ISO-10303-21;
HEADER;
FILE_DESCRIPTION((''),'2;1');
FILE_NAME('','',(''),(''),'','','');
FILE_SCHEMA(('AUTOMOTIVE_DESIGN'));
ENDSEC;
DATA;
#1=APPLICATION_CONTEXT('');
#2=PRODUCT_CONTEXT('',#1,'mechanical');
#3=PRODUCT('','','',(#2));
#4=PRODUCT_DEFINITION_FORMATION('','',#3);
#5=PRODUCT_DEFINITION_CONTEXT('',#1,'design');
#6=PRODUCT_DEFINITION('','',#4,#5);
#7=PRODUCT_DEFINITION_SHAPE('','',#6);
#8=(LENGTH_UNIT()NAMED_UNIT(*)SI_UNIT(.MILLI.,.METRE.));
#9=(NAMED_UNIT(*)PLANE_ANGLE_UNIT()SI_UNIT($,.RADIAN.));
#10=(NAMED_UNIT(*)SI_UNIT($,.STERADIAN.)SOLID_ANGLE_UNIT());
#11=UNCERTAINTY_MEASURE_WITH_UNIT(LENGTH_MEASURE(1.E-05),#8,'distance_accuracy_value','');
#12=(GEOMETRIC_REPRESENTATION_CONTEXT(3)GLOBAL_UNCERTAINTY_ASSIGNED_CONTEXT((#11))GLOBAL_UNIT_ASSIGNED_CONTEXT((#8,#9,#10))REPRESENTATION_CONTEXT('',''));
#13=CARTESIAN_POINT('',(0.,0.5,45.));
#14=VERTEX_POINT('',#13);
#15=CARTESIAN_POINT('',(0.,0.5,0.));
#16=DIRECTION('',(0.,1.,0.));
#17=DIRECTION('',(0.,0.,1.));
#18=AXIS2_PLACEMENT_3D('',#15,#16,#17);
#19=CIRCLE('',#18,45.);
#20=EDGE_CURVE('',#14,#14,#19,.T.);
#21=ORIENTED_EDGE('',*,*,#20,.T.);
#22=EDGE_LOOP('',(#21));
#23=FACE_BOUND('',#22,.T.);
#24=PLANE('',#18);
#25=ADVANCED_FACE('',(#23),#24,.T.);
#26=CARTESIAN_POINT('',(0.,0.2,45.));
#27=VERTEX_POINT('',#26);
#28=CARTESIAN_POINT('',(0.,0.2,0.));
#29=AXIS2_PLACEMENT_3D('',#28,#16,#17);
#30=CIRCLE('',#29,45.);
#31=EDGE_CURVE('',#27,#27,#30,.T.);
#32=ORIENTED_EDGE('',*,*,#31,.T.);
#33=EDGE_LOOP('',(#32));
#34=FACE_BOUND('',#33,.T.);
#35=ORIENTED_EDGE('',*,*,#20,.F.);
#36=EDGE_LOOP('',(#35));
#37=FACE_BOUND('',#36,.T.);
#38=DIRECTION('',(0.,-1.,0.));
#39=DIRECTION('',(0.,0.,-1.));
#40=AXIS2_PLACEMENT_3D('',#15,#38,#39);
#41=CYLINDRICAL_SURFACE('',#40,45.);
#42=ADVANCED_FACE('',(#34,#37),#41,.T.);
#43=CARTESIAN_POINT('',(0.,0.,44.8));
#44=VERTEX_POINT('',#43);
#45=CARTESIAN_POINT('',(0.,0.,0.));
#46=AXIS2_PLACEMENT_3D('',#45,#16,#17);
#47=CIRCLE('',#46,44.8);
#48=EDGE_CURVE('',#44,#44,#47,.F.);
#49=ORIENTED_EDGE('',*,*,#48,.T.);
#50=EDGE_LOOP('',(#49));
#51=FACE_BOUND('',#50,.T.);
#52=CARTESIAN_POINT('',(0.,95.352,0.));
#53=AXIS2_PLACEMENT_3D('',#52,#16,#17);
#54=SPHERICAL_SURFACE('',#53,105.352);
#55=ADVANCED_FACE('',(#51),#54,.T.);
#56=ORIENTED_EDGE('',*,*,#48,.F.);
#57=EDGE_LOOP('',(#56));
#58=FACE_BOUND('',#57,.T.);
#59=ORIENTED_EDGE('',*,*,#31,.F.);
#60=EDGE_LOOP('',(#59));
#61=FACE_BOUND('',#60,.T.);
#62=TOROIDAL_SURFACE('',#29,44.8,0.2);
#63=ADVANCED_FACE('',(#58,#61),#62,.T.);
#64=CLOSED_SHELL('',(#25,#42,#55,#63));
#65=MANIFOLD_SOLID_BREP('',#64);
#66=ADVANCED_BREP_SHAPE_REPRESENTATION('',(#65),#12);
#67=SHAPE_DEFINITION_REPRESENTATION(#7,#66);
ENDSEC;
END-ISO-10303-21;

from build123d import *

# Parameters (mm, degrees)
SKETCH_1_R         = 45
EXTRUDE_1_DEPTH    = 0.5
FILLET_3_R         = 0.2
DOME_2_FACE_RADIUS = 44.8
DOME_2_HEIGHT      = 10


with BuildPart() as part:
    # Эскиз1 → Бобышка-Вытянуть1 (new body)
    with BuildSketch(Plane(origin=(0, 0, 0), x_dir=(1, 0, 0), z_dir=(0, 1, 0))):
        with Locations(Location((0, 0, 0), (0, 0, 270))):
            Circle(SKETCH_1_R)
    extrude(amount=EXTRUDE_1_DEPTH)

    # Скругление3
    fillet_3_edges = [part.edges().sort_by_distance(p)[0] for p in [
        (0, 0, -45),
    ]]
    fillet(fillet_3_edges, radius=FILLET_3_R)

    # Купол2: a dome of height H over a round flat face of radius A is a cap of a sphere of radius (A * A + H * H) / (2 * H)
    dome_2_r = (DOME_2_FACE_RADIUS * DOME_2_FACE_RADIUS + DOME_2_HEIGHT * DOME_2_HEIGHT) / (2 * DOME_2_HEIGHT)
    dome_2_base = Plane((0, 0, 0), z_dir=(0, -1, 0))
    with Locations(dome_2_base.offset(DOME_2_HEIGHT - dome_2_r)):
        dome_2_ball = Sphere(dome_2_r, mode=Mode.PRIVATE)
    add(split(dome_2_ball, bisect_by=dome_2_base, keep=Keep.TOP, mode=Mode.PRIVATE))


solid = part.part
